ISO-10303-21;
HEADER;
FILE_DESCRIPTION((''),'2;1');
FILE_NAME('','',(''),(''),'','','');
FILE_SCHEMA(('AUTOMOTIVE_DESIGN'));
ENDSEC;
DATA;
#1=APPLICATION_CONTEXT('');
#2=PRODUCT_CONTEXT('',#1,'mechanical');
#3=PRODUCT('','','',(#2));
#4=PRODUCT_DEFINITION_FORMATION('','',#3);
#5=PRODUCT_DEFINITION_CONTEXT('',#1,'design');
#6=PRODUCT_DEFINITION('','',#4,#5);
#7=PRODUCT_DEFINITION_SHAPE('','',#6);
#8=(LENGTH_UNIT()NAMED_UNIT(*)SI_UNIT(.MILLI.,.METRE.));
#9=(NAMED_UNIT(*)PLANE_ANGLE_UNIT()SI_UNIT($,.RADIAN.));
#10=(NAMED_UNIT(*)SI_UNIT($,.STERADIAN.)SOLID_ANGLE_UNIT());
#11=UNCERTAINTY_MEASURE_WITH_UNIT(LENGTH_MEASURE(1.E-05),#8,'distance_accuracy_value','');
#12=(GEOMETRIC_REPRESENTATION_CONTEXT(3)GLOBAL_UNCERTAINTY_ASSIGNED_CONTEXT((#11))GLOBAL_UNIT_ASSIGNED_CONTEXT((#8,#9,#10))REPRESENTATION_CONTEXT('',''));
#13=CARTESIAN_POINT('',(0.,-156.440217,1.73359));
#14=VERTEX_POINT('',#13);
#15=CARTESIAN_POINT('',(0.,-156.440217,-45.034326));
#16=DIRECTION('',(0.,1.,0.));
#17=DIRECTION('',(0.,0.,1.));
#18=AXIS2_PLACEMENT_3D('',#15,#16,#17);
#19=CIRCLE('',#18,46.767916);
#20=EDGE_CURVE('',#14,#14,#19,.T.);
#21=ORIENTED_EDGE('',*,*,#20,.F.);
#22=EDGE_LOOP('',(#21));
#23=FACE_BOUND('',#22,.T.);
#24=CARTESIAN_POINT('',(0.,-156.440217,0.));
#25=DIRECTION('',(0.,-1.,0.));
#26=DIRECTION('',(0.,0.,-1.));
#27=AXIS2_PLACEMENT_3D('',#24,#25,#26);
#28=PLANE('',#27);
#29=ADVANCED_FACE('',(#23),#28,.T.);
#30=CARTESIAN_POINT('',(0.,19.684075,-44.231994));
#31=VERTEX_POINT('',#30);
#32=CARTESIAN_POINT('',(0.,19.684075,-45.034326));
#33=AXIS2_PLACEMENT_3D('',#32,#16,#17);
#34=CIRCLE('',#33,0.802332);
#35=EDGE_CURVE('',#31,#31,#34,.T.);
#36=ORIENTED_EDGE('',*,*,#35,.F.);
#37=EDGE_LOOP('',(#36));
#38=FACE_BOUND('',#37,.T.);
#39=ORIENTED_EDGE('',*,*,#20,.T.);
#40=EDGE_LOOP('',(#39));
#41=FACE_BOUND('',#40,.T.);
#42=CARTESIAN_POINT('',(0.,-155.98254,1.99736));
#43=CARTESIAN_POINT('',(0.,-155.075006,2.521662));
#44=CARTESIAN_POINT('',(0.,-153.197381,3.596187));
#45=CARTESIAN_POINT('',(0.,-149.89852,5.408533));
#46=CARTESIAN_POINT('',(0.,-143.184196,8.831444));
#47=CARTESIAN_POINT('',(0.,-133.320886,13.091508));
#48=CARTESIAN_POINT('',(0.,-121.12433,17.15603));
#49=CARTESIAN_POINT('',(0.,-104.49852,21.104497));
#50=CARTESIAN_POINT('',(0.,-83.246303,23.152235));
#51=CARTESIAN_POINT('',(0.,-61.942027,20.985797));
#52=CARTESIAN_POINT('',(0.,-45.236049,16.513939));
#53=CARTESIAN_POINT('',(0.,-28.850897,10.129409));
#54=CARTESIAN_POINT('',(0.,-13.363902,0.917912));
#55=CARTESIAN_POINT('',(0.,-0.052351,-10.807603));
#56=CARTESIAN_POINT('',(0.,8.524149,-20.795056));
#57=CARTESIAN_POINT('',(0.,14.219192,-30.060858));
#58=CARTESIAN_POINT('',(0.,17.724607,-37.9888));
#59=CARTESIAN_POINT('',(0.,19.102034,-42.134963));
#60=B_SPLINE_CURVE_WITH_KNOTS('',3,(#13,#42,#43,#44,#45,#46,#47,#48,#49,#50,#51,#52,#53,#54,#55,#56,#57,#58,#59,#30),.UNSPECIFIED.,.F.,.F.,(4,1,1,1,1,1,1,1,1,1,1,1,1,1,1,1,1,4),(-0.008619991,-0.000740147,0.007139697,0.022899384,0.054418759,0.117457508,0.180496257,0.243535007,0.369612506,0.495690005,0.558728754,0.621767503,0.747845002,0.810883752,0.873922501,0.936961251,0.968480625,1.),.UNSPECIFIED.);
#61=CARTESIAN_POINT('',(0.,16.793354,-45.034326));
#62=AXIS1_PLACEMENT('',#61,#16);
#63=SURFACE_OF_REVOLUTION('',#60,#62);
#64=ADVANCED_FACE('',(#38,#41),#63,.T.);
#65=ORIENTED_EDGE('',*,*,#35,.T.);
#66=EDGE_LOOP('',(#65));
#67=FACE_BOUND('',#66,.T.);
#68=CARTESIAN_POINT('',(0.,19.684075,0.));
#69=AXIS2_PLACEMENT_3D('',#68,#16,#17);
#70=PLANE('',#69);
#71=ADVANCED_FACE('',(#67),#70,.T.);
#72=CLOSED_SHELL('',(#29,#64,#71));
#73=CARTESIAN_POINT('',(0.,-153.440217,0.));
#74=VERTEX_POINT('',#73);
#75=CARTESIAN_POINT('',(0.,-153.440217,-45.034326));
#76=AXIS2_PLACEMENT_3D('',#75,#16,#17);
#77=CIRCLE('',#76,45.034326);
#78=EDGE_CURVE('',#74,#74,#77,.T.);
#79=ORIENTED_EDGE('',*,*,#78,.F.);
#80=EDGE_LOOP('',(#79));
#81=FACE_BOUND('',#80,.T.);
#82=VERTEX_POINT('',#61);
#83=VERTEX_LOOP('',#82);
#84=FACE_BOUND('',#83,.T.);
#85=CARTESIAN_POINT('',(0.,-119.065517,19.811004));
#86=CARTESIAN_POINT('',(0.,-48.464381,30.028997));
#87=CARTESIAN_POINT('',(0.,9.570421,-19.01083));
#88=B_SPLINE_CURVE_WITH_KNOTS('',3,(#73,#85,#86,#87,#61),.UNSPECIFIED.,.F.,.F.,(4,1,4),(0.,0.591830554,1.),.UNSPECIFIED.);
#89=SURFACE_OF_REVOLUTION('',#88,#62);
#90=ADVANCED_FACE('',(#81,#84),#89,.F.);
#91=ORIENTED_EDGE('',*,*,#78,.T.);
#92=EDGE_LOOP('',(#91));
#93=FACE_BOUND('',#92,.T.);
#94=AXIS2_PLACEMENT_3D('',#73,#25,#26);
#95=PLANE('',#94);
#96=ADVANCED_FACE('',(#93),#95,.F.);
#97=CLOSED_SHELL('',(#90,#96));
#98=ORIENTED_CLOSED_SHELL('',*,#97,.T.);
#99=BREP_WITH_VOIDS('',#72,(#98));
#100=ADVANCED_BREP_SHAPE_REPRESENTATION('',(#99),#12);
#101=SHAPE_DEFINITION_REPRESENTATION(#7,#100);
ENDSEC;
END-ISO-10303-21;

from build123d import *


with BuildPart() as part:
    # Sketch3 → Revolve2 (revolve)
    with BuildSketch(Plane(origin=(0, -67.031201242, 0), x_dir=(0, 0, -1), z_dir=(1, 0, 0))):
        with BuildLine():
            add(Edge.make_bspline(
                [(-1.733589523, -89.409016069), (-1.99736032, -88.951339009), (-2.521661549, -88.043804263), (-3.596186919, -86.166179777), (-5.408532911, -82.86731887), (-8.831443894, -76.152994285), (-13.091508451, -66.289684347), (-17.156029835, -54.093129241), (-21.104496752, -37.467318384), (-23.152235184, -16.215102001), (-20.985796534, 5.089174087), (-16.513939147, 21.795152409), (-10.129409488, 38.180304288), (-0.917912269, 53.66729944), (10.807602914, 66.97885035), (20.795056297, 75.55535071), (30.060858253, 81.25039371), (37.988800039, 84.755808518), (42.134962805, 86.133235661), (44.231994393, 86.715275771)],
                knots=[-0.008619991, -0.008619991, -0.008619991, -0.008619991, -0.000740147, 0.007139697, 0.022899384, 0.054418759, 0.117457508, 0.180496257, 0.243535007, 0.369612506, 0.495690005, 0.558728754, 0.621767503, 0.747845002, 0.810883752, 0.873922501, 0.936961251, 0.968480625, 1, 1, 1, 1], degree=3))
            Line((44.231994393, 86.715275771), (45.034326199, 86.715275771))
            Line((45.034326199, 86.715275771), (45.034326199, 83.824555502))
            add(Edge.make_bspline(
                [(0, -86.409016069), (-19.811004259, -52.034315357), (-30.028997158, 18.566820254), (19.010829705, 76.601622459), (45.034326199, 83.824555502)],
                knots=[0, 0, 0, 0, 0.591830554, 1, 1, 1, 1], degree=3))
            Line((0, -86.409016069), (45.034326199, -86.409016069))
            Line((45.034326199, -86.409016069), (45.034326199, -89.409016069))
            Line((45.034326199, -89.409016069), (-1.733589523, -89.409016069))
        make_face()
    revolve(axis=Axis((0, 16.79335426, -45.034326199), (0, -1, 0)))


solid = part.part
